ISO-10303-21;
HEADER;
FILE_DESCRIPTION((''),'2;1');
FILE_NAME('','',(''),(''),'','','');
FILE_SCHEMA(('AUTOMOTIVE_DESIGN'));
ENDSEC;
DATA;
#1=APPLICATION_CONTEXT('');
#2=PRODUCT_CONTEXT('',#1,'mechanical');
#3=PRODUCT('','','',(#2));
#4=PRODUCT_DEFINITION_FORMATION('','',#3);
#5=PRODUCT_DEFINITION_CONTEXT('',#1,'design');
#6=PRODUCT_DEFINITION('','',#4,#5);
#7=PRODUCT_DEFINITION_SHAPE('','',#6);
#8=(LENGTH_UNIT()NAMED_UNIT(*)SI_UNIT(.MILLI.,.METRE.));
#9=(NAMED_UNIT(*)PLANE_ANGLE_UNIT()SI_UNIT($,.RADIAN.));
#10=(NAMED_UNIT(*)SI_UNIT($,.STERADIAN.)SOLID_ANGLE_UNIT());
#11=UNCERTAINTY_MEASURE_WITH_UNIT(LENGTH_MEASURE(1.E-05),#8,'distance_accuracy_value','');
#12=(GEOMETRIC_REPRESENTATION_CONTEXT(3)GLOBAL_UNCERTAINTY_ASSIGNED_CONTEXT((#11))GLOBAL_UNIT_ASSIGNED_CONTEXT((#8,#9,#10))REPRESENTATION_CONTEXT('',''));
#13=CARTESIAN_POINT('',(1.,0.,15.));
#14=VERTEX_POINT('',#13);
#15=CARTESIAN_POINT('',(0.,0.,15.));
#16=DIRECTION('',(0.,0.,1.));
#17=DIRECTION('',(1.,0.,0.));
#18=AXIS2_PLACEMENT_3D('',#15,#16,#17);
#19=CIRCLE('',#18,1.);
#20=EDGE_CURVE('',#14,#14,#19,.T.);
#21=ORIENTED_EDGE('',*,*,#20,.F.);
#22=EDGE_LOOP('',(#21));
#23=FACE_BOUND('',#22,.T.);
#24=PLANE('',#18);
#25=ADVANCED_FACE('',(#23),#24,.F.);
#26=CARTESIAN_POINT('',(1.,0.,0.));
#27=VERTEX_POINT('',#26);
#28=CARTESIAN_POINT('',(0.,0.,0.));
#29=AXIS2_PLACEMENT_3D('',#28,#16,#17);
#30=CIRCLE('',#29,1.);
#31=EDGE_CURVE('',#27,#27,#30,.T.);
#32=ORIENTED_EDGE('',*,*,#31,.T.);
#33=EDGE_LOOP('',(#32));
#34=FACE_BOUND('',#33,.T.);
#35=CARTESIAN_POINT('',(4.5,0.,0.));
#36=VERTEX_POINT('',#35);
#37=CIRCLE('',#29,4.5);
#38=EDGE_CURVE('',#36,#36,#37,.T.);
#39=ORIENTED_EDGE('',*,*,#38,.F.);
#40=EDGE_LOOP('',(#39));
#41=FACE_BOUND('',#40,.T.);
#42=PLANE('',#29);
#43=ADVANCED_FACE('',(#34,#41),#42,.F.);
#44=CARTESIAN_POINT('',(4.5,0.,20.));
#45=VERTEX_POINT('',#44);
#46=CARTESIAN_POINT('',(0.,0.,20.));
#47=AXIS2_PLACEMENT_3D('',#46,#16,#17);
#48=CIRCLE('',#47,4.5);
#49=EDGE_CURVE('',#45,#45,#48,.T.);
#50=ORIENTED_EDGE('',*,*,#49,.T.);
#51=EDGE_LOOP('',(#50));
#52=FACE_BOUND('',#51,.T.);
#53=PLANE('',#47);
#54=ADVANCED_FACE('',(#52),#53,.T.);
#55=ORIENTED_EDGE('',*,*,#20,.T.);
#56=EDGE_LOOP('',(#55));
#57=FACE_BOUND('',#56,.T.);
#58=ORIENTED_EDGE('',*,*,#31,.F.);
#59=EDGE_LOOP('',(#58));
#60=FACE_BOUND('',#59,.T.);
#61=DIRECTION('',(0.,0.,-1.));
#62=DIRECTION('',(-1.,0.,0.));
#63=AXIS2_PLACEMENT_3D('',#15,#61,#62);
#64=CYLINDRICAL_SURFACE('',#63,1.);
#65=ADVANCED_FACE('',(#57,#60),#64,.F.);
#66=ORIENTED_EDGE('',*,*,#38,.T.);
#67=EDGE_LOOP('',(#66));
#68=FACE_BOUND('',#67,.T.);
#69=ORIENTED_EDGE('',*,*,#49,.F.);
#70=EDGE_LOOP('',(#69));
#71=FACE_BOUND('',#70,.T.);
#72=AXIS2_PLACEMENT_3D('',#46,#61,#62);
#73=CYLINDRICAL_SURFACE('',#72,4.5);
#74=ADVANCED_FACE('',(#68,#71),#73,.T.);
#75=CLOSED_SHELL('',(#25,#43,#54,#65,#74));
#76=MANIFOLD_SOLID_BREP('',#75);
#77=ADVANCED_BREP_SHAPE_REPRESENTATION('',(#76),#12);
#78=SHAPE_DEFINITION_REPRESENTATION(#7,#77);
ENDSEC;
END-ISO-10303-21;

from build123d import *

# Parameters (mm, degrees)
SKETCH1_R           = 4.5
BOSS_EXTRUDE1_DEPTH = 20
SKETCH2_R           = 1
CUT_EXTRUDE1_DEPTH  = 15


with BuildPart() as part:
    # Sketch1 → Boss-Extrude1 (new body)
    with BuildSketch(Plane.XY):
        Circle(SKETCH1_R)
    extrude(amount=BOSS_EXTRUDE1_DEPTH)

    # Sketch2 → Cut-Extrude1 (cut)
    with BuildSketch(Plane.XY):
        Circle(SKETCH2_R)
    extrude(amount=CUT_EXTRUDE1_DEPTH, mode=Mode.SUBTRACT)


solid = part.part
